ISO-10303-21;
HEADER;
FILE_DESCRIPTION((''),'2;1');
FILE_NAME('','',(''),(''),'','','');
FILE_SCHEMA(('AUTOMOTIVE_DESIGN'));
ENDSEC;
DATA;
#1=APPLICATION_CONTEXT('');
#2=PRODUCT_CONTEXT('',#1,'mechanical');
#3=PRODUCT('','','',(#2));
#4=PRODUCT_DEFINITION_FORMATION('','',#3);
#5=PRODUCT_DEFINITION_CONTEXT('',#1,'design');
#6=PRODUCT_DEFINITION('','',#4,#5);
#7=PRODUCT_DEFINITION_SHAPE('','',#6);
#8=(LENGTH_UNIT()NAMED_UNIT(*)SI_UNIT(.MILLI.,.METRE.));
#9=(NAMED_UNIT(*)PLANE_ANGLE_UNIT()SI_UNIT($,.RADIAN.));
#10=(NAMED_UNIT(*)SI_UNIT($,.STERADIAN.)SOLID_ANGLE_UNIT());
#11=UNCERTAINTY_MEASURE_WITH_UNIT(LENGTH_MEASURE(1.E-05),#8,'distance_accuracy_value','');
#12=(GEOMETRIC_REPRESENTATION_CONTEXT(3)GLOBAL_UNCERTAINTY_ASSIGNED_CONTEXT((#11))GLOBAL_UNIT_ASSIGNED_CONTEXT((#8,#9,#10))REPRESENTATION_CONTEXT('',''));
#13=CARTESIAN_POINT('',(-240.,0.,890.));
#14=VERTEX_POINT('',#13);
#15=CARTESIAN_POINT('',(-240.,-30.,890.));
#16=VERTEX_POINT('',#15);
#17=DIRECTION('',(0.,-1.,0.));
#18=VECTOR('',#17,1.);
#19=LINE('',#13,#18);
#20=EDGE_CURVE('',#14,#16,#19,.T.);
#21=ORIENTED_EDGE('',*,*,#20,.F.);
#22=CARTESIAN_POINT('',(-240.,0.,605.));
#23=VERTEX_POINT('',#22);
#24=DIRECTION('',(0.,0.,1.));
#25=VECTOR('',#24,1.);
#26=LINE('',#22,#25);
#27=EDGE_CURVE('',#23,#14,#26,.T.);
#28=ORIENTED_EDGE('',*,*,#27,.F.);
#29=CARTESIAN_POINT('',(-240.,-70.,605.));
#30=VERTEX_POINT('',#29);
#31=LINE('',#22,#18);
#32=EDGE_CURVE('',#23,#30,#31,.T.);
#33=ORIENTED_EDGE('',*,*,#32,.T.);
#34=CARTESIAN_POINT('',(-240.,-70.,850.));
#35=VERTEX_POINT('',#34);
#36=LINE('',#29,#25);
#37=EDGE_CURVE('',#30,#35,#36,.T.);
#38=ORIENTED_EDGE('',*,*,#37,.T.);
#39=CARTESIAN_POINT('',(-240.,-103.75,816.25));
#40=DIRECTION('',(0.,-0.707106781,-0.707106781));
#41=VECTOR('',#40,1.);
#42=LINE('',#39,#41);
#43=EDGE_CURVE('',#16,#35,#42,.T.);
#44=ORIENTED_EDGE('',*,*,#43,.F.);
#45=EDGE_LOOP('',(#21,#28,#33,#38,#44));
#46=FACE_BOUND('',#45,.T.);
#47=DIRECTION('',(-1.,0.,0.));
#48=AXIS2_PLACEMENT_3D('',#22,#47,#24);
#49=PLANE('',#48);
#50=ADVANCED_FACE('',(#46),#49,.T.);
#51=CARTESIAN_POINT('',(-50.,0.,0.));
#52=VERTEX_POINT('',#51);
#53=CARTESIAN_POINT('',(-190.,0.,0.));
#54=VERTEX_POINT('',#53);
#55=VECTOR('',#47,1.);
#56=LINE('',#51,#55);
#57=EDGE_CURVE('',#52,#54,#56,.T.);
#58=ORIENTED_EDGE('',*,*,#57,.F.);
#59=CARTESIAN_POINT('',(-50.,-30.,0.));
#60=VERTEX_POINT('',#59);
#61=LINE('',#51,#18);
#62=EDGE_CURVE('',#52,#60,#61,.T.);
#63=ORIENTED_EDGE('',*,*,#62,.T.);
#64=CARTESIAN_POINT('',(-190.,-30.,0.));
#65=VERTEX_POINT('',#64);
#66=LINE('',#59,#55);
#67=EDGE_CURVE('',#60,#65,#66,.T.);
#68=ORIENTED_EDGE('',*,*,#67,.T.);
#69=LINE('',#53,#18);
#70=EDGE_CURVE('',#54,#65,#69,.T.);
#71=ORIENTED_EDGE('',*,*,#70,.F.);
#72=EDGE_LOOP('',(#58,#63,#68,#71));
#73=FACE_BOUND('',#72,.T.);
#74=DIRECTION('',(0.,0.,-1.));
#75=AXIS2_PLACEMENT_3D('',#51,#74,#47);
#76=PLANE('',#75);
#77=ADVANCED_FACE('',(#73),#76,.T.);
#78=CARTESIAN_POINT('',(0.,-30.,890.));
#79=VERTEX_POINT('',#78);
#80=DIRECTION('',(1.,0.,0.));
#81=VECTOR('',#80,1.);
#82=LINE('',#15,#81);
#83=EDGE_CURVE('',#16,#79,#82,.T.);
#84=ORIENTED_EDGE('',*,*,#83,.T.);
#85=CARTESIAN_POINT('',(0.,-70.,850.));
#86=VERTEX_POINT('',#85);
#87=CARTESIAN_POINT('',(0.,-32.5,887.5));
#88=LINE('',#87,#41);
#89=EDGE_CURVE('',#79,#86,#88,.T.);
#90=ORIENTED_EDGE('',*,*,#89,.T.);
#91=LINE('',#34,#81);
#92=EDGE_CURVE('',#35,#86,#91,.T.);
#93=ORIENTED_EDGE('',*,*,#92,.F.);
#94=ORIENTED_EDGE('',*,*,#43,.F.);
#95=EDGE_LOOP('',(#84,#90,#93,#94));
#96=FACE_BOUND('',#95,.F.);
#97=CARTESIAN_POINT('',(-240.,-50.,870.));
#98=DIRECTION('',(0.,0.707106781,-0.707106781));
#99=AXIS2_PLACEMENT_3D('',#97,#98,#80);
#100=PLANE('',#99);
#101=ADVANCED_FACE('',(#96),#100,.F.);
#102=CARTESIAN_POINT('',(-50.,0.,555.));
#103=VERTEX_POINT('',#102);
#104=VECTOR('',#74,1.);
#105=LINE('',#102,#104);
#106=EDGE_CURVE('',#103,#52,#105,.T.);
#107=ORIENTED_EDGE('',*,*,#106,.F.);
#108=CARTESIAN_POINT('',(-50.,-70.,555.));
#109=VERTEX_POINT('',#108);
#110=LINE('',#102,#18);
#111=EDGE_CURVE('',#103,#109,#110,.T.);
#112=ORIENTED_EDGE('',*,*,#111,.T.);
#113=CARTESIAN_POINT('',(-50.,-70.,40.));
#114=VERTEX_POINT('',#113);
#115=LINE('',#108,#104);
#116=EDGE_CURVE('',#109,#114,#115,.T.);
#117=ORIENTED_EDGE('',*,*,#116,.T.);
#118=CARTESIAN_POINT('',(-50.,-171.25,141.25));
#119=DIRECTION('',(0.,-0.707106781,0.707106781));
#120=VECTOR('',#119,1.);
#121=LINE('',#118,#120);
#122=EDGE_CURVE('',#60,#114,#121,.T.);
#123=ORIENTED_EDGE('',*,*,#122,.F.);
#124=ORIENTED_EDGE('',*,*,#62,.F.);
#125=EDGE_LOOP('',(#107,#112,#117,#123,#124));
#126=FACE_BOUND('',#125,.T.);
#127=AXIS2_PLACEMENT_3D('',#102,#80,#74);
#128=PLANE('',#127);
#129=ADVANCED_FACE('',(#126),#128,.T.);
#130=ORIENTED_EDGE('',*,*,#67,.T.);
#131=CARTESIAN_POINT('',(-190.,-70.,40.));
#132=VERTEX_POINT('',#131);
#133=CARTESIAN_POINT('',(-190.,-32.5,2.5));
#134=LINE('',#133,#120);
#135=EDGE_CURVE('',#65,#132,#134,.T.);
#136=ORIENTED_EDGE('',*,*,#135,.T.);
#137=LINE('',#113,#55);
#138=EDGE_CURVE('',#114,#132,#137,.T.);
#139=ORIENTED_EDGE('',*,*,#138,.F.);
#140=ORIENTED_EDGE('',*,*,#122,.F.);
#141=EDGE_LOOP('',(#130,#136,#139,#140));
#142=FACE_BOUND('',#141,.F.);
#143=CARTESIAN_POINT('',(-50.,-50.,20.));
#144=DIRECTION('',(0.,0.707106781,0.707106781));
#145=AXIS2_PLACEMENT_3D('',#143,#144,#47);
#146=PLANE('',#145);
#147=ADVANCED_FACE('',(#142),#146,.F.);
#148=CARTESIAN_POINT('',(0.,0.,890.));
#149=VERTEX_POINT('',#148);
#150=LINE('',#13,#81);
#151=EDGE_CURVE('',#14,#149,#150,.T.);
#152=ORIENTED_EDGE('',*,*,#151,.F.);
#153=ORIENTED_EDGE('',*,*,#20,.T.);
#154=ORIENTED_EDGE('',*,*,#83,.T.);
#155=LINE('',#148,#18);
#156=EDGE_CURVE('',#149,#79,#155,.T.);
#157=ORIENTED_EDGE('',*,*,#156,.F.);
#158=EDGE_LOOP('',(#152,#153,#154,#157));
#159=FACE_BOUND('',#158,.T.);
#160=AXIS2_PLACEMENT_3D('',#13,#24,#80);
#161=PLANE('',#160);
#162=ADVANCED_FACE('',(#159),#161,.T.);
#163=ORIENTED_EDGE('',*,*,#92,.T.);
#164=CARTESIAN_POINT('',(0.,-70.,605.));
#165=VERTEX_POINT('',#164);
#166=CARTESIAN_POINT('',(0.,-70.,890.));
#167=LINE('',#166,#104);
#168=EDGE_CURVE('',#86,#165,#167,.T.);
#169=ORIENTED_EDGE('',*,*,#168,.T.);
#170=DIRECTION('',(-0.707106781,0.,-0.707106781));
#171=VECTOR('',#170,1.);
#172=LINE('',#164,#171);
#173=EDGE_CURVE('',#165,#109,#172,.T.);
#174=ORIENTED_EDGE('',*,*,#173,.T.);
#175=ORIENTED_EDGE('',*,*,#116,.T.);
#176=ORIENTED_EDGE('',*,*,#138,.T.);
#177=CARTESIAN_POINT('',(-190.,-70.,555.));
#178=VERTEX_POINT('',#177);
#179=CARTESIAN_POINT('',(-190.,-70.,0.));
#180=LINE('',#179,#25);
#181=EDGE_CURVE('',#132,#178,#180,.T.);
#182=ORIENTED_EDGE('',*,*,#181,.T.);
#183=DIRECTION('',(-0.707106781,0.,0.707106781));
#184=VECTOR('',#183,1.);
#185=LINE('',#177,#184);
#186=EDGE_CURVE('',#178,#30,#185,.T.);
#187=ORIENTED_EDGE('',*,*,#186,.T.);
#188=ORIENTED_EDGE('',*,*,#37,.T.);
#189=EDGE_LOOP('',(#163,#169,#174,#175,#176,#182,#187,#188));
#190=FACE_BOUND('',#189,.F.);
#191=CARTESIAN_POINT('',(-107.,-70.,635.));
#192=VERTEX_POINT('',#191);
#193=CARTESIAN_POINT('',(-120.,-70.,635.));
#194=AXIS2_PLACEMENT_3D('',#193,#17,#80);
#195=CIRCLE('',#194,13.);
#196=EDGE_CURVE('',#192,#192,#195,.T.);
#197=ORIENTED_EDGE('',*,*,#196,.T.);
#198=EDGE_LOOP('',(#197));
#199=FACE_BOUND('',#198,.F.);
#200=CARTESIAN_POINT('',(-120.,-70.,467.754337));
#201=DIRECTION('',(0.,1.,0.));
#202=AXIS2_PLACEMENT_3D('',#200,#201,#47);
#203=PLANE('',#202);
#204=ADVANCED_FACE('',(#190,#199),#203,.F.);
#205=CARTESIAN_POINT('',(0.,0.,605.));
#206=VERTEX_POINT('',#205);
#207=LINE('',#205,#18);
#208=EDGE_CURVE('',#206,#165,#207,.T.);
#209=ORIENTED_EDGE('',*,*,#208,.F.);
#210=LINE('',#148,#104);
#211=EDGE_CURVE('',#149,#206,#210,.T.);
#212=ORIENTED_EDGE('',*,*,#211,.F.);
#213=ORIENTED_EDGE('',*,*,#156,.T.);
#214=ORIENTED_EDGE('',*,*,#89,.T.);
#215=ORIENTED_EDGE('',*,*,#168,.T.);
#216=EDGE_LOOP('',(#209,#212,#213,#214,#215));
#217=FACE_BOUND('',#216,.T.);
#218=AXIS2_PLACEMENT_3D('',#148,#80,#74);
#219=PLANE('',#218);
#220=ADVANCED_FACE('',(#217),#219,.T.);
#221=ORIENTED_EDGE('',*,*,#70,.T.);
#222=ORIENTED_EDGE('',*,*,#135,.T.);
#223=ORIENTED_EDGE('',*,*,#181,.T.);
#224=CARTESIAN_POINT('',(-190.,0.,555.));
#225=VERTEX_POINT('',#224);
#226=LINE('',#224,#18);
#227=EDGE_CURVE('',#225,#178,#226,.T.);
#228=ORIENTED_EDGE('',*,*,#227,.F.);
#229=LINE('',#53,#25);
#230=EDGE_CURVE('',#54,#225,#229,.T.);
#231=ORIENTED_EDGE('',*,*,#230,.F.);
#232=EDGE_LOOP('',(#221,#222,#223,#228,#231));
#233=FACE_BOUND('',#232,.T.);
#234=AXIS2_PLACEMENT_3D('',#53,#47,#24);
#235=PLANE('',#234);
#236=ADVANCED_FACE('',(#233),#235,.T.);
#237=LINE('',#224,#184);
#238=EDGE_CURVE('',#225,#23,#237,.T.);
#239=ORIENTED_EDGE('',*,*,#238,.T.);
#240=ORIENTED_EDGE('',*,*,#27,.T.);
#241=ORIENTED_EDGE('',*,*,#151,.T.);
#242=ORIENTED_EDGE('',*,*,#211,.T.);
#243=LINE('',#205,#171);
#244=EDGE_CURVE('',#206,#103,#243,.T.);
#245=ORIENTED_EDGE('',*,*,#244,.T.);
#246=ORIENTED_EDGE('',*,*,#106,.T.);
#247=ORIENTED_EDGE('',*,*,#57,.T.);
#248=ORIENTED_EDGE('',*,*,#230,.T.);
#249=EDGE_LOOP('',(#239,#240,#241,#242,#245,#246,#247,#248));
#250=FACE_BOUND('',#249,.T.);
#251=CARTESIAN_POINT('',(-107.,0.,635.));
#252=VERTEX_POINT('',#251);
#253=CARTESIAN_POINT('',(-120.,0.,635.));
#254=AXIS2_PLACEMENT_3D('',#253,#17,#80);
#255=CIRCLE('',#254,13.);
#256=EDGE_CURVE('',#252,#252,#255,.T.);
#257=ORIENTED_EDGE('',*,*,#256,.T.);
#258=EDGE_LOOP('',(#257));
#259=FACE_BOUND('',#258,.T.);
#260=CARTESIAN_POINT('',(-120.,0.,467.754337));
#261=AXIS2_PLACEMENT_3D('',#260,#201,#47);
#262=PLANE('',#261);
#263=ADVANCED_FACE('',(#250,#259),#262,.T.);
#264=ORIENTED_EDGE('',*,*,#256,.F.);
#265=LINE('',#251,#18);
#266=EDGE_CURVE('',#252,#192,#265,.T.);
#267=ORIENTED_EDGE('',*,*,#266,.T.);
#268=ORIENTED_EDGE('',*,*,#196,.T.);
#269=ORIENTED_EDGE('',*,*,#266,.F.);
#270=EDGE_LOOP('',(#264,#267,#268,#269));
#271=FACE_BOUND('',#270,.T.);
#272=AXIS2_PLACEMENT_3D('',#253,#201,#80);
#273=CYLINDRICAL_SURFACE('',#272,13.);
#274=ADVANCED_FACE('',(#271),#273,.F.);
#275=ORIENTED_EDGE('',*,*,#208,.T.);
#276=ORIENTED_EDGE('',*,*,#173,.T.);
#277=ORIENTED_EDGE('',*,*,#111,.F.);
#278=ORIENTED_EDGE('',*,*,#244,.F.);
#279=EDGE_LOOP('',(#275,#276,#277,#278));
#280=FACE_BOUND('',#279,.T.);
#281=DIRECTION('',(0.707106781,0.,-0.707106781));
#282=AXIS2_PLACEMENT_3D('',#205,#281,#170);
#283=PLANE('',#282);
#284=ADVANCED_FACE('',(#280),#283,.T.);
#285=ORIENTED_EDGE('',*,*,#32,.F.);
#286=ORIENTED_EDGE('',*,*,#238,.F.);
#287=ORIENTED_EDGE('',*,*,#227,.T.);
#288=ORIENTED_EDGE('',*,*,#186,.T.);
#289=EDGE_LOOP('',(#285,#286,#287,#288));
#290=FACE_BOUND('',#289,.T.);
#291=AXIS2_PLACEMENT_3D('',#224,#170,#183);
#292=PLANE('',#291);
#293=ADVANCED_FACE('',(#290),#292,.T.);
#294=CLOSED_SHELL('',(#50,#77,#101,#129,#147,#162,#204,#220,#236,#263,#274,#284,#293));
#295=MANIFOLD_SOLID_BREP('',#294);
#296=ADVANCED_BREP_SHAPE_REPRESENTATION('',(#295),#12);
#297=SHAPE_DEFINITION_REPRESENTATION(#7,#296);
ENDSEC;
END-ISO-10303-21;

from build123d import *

# Parameters (mm, degrees)
SKETCH_R     = 13
PAD_DEPTH    = 70
CHAMFER_SIZE = 40


with BuildPart() as part:
    # Sketch → Pad (new body)
    with BuildSketch(Plane.XZ):
        Polygon((-50, 0), (-190, 0), (-190, 555), (-240, 605), (-240, 890), (0, 890), (0, 605), (-50, 555), align=None)
        with Locations((-120, 635)):
            Circle(SKETCH_R, mode=Mode.SUBTRACT)
    extrude(amount=PAD_DEPTH)

    # Chamfer
    chamfer_edges = [part.edges().sort_by_distance(p)[0] for p in [
        (-120, -70, 890),
        (-120, -70, 0),
    ]]
    chamfer(chamfer_edges, length=CHAMFER_SIZE)


solid = part.part
